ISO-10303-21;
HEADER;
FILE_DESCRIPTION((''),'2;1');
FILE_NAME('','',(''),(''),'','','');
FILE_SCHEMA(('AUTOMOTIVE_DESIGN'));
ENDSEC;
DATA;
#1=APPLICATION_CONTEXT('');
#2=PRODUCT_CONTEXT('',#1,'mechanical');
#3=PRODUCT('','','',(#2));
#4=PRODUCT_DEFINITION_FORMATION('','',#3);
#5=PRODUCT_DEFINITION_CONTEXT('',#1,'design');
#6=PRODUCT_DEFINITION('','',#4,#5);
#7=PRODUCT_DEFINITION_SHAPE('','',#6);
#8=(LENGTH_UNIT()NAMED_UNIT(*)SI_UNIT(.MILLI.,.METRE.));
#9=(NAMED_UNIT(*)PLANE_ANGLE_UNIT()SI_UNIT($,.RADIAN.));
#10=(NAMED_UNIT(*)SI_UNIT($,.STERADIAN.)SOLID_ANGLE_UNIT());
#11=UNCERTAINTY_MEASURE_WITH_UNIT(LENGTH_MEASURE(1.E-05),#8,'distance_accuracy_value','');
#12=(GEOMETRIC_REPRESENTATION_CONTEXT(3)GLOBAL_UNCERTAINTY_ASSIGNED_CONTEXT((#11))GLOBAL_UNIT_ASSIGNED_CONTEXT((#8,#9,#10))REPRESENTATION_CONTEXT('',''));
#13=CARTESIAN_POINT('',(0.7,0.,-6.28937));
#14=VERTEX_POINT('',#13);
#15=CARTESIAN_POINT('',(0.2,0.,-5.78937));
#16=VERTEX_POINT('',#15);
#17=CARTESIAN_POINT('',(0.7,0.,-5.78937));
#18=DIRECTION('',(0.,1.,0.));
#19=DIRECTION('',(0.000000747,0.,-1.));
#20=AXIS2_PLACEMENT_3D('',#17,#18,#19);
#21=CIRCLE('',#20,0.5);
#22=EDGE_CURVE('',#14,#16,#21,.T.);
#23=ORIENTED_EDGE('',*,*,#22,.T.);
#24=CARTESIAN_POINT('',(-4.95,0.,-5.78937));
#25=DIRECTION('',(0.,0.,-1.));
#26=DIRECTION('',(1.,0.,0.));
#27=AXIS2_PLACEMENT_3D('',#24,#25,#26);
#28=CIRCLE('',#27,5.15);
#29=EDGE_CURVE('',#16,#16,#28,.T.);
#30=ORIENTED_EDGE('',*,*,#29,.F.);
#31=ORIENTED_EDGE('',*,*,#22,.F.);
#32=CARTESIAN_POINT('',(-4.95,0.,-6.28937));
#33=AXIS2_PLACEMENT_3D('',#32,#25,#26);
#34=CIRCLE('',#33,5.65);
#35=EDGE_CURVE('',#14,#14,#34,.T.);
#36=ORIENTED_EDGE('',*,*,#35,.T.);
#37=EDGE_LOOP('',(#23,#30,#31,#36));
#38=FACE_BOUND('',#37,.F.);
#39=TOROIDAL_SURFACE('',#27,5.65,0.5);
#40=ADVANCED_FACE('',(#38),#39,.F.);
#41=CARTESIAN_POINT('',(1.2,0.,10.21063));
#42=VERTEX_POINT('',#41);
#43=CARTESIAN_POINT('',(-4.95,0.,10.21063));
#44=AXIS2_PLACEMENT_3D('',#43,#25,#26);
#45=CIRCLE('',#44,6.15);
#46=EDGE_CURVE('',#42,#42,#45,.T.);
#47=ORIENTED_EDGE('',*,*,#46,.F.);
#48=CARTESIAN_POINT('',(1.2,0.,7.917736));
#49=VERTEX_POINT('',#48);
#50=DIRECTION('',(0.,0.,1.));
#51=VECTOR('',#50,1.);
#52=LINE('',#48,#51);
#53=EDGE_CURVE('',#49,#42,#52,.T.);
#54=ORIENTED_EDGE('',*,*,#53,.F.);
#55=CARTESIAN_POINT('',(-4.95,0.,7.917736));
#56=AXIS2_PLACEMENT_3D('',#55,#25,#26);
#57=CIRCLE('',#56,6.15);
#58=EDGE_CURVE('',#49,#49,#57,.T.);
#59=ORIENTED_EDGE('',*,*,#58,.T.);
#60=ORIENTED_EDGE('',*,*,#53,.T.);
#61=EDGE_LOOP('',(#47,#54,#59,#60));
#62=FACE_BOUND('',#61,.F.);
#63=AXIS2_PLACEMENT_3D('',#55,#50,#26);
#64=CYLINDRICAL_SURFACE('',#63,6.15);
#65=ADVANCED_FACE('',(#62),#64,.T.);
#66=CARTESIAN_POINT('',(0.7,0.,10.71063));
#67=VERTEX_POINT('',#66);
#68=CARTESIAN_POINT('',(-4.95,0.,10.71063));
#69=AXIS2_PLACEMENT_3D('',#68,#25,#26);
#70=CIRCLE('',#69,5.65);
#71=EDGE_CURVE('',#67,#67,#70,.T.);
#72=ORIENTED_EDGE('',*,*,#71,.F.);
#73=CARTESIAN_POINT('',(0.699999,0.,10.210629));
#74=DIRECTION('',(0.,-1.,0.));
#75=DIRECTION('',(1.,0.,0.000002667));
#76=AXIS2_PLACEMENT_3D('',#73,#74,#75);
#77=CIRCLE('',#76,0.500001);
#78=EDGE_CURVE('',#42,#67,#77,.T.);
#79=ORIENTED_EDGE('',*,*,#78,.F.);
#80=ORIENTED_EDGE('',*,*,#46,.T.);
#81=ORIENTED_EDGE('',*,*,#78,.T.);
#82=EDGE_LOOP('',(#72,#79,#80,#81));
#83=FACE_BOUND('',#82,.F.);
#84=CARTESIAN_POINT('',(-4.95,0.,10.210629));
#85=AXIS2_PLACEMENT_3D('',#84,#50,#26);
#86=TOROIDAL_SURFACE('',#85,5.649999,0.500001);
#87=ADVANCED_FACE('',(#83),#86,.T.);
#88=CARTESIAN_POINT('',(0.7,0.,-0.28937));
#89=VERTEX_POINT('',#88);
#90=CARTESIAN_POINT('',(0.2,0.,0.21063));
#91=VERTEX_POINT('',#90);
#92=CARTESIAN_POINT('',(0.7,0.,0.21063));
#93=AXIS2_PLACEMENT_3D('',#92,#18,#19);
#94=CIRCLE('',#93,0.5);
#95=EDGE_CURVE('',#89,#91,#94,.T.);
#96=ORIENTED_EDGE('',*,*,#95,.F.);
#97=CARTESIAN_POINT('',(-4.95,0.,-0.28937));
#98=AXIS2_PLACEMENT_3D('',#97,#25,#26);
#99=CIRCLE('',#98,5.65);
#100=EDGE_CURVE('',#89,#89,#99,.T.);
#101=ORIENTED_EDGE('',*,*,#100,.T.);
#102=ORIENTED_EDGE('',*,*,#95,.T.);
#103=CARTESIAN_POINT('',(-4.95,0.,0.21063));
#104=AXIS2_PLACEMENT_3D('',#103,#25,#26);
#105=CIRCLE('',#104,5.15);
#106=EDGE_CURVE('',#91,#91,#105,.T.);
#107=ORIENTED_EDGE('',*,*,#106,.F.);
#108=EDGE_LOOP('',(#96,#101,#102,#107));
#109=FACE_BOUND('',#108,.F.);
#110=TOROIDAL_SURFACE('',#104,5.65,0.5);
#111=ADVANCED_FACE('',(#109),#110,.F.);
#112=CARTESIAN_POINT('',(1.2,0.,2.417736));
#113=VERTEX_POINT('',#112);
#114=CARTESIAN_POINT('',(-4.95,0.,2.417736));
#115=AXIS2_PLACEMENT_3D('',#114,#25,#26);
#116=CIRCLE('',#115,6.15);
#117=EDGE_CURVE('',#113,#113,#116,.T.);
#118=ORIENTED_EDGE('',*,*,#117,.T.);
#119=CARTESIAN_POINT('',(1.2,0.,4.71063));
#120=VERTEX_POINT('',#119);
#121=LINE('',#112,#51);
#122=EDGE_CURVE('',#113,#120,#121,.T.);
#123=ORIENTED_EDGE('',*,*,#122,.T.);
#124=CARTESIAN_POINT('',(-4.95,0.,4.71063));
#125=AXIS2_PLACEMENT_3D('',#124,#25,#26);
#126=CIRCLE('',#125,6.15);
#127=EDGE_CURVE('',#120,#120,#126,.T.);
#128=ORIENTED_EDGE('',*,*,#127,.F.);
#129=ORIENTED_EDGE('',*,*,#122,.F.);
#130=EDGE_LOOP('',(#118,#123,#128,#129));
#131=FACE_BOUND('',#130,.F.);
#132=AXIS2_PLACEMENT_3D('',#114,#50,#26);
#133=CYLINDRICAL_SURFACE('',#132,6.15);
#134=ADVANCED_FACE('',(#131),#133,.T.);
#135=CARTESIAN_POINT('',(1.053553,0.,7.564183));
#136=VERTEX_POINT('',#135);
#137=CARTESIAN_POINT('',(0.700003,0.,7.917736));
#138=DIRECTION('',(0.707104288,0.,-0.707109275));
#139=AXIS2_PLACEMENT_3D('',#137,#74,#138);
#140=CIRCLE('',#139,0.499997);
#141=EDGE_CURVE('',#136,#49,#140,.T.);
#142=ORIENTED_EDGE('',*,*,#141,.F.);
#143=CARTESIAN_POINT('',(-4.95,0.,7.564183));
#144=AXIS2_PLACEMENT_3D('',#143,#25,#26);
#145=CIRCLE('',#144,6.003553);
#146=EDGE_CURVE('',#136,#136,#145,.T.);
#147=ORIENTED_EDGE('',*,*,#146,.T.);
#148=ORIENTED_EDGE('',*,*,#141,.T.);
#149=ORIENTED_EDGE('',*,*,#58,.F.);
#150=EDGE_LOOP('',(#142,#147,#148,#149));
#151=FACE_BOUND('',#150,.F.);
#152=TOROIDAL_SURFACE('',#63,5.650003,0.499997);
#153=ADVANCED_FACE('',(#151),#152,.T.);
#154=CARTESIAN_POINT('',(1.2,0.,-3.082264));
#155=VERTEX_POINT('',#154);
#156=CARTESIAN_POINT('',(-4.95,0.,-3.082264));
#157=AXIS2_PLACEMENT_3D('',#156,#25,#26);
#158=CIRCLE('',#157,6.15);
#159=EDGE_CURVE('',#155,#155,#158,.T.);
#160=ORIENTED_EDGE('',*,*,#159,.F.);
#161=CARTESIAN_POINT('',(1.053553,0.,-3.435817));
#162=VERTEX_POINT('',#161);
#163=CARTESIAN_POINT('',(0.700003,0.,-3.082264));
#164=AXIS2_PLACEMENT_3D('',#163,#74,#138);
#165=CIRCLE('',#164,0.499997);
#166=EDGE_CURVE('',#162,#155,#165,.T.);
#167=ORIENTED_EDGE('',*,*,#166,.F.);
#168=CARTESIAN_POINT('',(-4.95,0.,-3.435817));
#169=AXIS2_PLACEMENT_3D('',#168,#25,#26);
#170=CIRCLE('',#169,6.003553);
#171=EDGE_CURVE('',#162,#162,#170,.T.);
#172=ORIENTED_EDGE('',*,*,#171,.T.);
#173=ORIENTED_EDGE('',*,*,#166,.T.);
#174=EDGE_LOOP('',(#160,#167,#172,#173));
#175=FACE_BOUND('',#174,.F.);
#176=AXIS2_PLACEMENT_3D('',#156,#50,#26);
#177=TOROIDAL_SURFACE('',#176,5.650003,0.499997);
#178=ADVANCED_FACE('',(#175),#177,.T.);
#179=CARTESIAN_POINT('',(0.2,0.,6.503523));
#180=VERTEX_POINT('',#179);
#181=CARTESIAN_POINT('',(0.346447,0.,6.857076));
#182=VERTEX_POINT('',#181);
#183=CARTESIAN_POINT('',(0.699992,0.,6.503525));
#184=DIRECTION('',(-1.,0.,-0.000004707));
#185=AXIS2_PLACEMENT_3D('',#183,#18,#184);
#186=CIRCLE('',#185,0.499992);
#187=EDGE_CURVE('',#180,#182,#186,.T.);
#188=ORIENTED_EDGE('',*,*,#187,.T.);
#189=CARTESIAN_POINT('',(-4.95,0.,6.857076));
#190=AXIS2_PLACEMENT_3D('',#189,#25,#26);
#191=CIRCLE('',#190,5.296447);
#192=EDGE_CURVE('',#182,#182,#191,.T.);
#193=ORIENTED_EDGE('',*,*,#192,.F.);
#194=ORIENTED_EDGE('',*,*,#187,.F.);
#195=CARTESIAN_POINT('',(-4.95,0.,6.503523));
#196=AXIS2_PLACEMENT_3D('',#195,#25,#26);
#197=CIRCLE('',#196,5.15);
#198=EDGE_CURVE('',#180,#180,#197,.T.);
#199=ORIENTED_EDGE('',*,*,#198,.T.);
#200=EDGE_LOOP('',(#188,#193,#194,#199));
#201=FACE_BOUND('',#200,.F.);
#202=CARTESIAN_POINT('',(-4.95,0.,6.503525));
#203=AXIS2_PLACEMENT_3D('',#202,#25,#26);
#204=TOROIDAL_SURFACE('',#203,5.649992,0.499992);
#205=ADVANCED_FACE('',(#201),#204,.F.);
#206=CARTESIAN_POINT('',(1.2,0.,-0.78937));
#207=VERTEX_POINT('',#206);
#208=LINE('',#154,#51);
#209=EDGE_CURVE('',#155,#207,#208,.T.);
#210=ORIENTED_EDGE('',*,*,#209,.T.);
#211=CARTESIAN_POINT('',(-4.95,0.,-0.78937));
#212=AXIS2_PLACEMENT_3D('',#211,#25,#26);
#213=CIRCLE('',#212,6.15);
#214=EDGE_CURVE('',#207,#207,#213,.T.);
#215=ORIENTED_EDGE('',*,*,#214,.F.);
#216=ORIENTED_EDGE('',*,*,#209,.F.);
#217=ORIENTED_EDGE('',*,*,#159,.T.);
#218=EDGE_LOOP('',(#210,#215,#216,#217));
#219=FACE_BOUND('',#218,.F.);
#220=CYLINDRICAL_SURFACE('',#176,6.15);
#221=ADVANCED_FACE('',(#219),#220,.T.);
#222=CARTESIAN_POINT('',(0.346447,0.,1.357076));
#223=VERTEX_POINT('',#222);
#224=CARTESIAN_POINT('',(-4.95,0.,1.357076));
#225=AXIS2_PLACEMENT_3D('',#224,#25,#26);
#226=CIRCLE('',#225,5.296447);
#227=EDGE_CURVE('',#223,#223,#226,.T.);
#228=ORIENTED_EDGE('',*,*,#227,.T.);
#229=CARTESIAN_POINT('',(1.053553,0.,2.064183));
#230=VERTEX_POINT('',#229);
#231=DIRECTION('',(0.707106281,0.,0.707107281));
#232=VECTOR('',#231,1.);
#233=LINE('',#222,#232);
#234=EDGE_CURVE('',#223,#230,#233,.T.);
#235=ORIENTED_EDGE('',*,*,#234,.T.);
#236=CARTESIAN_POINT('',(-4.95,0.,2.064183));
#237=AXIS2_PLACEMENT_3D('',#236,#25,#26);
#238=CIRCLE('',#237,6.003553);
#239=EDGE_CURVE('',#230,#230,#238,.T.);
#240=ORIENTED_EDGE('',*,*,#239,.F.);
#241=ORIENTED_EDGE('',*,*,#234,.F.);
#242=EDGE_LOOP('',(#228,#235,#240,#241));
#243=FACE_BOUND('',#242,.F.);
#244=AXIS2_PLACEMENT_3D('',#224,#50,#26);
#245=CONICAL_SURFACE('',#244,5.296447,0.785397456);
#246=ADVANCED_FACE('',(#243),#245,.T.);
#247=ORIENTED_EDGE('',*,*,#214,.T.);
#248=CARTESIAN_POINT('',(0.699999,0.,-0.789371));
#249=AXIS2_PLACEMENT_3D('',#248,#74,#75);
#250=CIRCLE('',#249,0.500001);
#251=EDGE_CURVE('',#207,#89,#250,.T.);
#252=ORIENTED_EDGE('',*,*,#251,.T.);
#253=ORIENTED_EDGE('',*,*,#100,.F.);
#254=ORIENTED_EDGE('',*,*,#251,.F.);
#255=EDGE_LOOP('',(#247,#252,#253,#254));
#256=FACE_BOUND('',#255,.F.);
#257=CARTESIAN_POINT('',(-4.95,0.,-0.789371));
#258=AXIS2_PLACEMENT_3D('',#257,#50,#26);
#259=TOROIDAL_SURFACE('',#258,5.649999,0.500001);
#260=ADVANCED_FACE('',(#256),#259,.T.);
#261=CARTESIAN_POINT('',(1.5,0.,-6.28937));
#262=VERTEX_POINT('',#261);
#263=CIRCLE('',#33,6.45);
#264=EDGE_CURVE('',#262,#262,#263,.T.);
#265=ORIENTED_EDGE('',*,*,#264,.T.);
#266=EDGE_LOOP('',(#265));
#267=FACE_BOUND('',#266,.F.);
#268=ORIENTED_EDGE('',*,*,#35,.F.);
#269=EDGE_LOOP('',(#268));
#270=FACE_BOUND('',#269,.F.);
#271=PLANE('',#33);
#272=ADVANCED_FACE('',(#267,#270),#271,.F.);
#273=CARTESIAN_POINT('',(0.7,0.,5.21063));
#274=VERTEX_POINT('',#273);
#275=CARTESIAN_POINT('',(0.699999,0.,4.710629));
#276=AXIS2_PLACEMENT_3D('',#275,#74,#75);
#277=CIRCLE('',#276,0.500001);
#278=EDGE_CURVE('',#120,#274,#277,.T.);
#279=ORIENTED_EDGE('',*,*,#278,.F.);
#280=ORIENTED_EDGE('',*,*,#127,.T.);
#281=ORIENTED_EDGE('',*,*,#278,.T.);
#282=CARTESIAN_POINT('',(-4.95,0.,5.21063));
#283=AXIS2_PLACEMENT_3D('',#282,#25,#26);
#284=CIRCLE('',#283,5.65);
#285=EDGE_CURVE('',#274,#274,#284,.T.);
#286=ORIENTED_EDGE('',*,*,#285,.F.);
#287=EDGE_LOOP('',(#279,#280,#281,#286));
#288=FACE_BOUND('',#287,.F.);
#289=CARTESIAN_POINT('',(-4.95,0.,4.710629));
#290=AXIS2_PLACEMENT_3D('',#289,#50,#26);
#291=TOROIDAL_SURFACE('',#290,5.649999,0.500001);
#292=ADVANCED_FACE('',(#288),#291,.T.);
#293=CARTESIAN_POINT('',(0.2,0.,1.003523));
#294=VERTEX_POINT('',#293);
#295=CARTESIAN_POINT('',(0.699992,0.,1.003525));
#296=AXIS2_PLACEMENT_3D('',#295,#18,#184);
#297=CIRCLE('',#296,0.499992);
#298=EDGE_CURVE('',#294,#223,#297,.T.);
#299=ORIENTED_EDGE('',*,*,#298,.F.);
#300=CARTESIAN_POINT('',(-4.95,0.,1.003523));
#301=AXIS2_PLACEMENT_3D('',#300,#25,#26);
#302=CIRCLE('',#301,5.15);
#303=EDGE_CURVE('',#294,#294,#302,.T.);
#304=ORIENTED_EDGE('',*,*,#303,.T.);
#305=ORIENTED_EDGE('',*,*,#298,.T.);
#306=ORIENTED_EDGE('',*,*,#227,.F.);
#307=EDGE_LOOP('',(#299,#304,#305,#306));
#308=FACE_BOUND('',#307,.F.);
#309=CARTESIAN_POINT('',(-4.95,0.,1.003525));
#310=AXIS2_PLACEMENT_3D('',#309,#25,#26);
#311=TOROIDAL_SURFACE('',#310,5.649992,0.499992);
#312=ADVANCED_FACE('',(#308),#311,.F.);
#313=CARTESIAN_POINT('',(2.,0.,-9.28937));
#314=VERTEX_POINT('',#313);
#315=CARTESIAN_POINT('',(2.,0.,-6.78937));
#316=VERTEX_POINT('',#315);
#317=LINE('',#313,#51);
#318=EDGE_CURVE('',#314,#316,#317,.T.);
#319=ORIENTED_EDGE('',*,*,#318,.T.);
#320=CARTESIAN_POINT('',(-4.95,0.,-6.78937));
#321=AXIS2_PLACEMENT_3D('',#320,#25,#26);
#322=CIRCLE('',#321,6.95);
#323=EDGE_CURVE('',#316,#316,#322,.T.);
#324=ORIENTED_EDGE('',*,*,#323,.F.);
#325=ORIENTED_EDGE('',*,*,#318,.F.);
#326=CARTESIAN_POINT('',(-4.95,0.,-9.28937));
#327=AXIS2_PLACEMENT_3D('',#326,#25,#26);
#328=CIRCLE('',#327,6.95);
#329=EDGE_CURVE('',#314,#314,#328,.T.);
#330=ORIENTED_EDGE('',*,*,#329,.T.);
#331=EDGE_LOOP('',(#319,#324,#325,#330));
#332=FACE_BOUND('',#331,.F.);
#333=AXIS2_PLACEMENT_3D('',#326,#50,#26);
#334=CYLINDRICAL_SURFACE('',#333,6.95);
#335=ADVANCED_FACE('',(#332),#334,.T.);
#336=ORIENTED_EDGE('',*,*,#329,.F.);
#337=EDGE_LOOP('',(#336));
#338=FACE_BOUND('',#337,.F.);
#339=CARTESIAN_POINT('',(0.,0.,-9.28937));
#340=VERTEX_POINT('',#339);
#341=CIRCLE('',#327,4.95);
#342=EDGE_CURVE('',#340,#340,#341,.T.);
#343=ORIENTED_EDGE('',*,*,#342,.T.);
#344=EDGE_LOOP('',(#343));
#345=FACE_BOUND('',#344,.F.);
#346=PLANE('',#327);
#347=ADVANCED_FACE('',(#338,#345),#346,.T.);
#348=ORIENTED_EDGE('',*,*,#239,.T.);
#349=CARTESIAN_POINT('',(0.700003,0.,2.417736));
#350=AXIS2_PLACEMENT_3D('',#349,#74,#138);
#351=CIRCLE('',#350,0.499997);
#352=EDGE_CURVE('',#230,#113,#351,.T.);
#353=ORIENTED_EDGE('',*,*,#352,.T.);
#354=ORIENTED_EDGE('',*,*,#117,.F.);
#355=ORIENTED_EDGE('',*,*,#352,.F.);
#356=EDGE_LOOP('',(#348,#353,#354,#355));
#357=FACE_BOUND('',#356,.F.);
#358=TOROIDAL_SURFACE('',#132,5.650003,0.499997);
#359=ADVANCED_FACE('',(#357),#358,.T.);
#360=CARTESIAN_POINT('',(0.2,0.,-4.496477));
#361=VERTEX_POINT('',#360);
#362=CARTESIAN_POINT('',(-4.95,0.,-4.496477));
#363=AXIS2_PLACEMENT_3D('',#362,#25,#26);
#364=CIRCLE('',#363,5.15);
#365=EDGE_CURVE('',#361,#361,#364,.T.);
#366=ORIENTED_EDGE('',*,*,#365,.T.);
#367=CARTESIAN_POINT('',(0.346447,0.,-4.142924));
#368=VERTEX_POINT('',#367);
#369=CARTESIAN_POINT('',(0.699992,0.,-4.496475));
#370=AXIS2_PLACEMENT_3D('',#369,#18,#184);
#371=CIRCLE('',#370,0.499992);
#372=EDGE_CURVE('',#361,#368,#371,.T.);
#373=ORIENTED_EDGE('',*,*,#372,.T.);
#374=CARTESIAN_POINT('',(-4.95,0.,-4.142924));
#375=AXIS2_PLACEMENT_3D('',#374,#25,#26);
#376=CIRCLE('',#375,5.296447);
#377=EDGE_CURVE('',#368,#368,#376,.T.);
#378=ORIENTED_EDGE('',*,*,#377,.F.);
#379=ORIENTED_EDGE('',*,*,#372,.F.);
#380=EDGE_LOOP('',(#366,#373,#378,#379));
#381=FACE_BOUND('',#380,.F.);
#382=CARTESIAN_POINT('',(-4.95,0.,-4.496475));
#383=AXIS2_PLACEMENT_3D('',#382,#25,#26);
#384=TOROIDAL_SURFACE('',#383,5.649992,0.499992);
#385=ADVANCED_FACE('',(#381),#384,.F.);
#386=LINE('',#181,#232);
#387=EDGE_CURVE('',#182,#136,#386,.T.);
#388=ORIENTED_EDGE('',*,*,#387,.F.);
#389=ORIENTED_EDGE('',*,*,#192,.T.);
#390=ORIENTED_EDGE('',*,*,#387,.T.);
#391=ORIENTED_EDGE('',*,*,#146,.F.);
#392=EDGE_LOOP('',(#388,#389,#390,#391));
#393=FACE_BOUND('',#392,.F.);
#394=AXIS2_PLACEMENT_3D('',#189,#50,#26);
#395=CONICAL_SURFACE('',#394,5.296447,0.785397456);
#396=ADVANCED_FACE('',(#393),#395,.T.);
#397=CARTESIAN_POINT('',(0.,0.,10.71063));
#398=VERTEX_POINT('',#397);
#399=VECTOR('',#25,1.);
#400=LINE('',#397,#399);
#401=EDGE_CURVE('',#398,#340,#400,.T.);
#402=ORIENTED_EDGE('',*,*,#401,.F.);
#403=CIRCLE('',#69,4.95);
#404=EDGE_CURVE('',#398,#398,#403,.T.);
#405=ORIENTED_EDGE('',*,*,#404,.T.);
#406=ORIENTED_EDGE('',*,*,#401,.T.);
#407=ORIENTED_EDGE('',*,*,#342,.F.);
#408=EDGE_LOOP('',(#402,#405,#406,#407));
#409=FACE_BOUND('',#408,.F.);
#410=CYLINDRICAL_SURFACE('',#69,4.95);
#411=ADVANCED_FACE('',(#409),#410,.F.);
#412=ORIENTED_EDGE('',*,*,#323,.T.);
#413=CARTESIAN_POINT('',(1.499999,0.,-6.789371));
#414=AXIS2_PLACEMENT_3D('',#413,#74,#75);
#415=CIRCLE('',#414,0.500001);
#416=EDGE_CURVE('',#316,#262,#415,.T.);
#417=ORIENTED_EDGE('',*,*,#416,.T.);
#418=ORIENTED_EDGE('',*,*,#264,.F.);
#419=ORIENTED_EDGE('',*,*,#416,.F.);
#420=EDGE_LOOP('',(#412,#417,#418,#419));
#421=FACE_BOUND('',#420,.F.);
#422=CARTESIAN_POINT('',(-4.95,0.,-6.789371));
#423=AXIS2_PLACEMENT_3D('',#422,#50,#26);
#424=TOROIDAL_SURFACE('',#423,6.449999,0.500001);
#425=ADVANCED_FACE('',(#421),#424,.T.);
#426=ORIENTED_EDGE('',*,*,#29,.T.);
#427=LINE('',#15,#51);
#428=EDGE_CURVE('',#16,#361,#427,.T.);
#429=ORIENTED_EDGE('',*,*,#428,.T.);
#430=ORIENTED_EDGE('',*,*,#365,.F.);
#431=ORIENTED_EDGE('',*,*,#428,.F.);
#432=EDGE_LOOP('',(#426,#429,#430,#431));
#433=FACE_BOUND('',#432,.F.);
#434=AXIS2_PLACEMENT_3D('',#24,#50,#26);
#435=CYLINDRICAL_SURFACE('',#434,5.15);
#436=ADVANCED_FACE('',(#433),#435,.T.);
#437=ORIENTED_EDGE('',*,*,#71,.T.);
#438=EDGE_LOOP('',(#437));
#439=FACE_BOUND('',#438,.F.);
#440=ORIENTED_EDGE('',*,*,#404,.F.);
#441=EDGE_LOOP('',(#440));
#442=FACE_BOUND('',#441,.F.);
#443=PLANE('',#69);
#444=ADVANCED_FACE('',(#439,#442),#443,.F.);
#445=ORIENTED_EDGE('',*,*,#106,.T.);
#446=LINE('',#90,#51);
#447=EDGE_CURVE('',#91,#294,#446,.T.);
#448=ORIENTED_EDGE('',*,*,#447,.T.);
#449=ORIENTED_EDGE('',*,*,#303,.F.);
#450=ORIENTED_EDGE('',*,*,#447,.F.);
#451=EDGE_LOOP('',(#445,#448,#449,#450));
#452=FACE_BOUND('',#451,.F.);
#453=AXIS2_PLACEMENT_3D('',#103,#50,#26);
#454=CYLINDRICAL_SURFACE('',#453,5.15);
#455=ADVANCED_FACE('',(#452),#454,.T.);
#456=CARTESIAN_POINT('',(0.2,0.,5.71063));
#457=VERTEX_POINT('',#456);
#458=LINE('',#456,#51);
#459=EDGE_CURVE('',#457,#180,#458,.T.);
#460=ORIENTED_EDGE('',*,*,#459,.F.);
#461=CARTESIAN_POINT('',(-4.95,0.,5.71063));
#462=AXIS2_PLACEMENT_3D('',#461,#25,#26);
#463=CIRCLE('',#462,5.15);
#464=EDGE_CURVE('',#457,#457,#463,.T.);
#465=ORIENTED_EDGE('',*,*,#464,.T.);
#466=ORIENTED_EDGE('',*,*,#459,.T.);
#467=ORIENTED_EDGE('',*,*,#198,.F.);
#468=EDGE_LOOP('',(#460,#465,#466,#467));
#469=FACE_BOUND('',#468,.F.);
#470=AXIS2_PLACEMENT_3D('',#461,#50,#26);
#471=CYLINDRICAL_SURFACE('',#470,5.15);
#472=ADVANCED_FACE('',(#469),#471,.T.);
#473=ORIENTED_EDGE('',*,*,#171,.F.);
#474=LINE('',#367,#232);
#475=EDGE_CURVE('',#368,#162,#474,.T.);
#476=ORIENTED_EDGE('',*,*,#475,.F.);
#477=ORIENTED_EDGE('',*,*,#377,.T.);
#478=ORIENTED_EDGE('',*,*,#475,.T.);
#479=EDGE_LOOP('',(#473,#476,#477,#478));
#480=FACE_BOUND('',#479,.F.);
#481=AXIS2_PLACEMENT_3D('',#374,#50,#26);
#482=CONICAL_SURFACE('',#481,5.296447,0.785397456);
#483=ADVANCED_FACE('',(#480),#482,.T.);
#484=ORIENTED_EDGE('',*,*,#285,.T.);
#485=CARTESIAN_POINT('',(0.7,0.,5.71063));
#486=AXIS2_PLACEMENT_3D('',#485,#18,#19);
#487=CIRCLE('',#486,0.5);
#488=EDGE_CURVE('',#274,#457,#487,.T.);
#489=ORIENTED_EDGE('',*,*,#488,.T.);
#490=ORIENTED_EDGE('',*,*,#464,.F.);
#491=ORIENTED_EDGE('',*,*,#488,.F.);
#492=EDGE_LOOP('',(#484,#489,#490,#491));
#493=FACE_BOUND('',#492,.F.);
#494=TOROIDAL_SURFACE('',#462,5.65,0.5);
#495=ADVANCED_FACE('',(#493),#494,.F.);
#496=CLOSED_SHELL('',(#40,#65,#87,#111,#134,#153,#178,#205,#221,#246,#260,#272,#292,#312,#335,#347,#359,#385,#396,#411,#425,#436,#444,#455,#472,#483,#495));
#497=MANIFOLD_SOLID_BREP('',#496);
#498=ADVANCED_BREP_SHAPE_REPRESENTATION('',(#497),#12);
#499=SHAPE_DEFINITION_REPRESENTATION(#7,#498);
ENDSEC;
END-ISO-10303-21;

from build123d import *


with BuildPart() as f1:
    # F0 (on Front) → F1 (revolve)
    with BuildSketch(Plane.XZ):
        with BuildLine():
            Line((0, 10.71063), (0, -9.28937))
            Line((0, -9.28937), (2, -9.28937))
            Line((2, -9.28937), (2, -6.78937))
            ThreePointArc((2, -6.78937), (1.853553, -6.435817), (1.5, -6.28937))
            Line((1.5, -6.28937), (0.7, -6.28937))
            ThreePointArc((0.7, -6.28937), (0.346447, -6.142924), (0.2, -5.78937))
            Line((0.2, -5.78937), (0.2, -4.496477))
            ThreePointArc((0.2, -4.496477), (0.23806, -4.305135), (0.346447, -4.142924))
            Line((0.346447, -4.142924), (1.053553, -3.435817))
            ThreePointArc((1.053553, -3.435817), (1.16194, -3.273605), (1.2, -3.082264))
            Line((1.2, -3.082264), (1.2, -0.78937))
            ThreePointArc((1.2, -0.78937), (1.053553, -0.435817), (0.7, -0.28937))
            ThreePointArc((0.7, -0.28937), (0.346447, -0.142924), (0.2, 0.21063))
            Line((0.2, 0.21063), (0.2, 1.003523))
            ThreePointArc((0.2, 1.003523), (0.23806, 1.194865), (0.346447, 1.357076))
            Line((0.346447, 1.357076), (1.053553, 2.064183))
            ThreePointArc((1.053553, 2.064183), (1.16194, 2.226395), (1.2, 2.417736))
            Line((1.2, 2.417736), (1.2, 4.71063))
            ThreePointArc((1.2, 4.71063), (1.053553, 5.064183), (0.7, 5.21063))
            ThreePointArc((0.7, 5.21063), (0.346447, 5.357076), (0.2, 5.71063))
            Line((0.2, 5.71063), (0.2, 6.503523))
            ThreePointArc((0.2, 6.503523), (0.23806, 6.694865), (0.346447, 6.857076))
            Line((0.346447, 6.857076), (1.053553, 7.564183))
            ThreePointArc((1.053553, 7.564183), (1.16194, 7.726395), (1.2, 7.917736))
            Line((1.2, 7.917736), (1.2, 10.21063))
            ThreePointArc((1.2, 10.21063), (1.053553, 10.564183), (0.7, 10.71063))
            Line((0.7, 10.71063), (0, 10.71063))
        make_face()
    revolve(axis=Axis((-4.95, 0, -7.763862), (0, 0, -1)))


solid = f1.part
